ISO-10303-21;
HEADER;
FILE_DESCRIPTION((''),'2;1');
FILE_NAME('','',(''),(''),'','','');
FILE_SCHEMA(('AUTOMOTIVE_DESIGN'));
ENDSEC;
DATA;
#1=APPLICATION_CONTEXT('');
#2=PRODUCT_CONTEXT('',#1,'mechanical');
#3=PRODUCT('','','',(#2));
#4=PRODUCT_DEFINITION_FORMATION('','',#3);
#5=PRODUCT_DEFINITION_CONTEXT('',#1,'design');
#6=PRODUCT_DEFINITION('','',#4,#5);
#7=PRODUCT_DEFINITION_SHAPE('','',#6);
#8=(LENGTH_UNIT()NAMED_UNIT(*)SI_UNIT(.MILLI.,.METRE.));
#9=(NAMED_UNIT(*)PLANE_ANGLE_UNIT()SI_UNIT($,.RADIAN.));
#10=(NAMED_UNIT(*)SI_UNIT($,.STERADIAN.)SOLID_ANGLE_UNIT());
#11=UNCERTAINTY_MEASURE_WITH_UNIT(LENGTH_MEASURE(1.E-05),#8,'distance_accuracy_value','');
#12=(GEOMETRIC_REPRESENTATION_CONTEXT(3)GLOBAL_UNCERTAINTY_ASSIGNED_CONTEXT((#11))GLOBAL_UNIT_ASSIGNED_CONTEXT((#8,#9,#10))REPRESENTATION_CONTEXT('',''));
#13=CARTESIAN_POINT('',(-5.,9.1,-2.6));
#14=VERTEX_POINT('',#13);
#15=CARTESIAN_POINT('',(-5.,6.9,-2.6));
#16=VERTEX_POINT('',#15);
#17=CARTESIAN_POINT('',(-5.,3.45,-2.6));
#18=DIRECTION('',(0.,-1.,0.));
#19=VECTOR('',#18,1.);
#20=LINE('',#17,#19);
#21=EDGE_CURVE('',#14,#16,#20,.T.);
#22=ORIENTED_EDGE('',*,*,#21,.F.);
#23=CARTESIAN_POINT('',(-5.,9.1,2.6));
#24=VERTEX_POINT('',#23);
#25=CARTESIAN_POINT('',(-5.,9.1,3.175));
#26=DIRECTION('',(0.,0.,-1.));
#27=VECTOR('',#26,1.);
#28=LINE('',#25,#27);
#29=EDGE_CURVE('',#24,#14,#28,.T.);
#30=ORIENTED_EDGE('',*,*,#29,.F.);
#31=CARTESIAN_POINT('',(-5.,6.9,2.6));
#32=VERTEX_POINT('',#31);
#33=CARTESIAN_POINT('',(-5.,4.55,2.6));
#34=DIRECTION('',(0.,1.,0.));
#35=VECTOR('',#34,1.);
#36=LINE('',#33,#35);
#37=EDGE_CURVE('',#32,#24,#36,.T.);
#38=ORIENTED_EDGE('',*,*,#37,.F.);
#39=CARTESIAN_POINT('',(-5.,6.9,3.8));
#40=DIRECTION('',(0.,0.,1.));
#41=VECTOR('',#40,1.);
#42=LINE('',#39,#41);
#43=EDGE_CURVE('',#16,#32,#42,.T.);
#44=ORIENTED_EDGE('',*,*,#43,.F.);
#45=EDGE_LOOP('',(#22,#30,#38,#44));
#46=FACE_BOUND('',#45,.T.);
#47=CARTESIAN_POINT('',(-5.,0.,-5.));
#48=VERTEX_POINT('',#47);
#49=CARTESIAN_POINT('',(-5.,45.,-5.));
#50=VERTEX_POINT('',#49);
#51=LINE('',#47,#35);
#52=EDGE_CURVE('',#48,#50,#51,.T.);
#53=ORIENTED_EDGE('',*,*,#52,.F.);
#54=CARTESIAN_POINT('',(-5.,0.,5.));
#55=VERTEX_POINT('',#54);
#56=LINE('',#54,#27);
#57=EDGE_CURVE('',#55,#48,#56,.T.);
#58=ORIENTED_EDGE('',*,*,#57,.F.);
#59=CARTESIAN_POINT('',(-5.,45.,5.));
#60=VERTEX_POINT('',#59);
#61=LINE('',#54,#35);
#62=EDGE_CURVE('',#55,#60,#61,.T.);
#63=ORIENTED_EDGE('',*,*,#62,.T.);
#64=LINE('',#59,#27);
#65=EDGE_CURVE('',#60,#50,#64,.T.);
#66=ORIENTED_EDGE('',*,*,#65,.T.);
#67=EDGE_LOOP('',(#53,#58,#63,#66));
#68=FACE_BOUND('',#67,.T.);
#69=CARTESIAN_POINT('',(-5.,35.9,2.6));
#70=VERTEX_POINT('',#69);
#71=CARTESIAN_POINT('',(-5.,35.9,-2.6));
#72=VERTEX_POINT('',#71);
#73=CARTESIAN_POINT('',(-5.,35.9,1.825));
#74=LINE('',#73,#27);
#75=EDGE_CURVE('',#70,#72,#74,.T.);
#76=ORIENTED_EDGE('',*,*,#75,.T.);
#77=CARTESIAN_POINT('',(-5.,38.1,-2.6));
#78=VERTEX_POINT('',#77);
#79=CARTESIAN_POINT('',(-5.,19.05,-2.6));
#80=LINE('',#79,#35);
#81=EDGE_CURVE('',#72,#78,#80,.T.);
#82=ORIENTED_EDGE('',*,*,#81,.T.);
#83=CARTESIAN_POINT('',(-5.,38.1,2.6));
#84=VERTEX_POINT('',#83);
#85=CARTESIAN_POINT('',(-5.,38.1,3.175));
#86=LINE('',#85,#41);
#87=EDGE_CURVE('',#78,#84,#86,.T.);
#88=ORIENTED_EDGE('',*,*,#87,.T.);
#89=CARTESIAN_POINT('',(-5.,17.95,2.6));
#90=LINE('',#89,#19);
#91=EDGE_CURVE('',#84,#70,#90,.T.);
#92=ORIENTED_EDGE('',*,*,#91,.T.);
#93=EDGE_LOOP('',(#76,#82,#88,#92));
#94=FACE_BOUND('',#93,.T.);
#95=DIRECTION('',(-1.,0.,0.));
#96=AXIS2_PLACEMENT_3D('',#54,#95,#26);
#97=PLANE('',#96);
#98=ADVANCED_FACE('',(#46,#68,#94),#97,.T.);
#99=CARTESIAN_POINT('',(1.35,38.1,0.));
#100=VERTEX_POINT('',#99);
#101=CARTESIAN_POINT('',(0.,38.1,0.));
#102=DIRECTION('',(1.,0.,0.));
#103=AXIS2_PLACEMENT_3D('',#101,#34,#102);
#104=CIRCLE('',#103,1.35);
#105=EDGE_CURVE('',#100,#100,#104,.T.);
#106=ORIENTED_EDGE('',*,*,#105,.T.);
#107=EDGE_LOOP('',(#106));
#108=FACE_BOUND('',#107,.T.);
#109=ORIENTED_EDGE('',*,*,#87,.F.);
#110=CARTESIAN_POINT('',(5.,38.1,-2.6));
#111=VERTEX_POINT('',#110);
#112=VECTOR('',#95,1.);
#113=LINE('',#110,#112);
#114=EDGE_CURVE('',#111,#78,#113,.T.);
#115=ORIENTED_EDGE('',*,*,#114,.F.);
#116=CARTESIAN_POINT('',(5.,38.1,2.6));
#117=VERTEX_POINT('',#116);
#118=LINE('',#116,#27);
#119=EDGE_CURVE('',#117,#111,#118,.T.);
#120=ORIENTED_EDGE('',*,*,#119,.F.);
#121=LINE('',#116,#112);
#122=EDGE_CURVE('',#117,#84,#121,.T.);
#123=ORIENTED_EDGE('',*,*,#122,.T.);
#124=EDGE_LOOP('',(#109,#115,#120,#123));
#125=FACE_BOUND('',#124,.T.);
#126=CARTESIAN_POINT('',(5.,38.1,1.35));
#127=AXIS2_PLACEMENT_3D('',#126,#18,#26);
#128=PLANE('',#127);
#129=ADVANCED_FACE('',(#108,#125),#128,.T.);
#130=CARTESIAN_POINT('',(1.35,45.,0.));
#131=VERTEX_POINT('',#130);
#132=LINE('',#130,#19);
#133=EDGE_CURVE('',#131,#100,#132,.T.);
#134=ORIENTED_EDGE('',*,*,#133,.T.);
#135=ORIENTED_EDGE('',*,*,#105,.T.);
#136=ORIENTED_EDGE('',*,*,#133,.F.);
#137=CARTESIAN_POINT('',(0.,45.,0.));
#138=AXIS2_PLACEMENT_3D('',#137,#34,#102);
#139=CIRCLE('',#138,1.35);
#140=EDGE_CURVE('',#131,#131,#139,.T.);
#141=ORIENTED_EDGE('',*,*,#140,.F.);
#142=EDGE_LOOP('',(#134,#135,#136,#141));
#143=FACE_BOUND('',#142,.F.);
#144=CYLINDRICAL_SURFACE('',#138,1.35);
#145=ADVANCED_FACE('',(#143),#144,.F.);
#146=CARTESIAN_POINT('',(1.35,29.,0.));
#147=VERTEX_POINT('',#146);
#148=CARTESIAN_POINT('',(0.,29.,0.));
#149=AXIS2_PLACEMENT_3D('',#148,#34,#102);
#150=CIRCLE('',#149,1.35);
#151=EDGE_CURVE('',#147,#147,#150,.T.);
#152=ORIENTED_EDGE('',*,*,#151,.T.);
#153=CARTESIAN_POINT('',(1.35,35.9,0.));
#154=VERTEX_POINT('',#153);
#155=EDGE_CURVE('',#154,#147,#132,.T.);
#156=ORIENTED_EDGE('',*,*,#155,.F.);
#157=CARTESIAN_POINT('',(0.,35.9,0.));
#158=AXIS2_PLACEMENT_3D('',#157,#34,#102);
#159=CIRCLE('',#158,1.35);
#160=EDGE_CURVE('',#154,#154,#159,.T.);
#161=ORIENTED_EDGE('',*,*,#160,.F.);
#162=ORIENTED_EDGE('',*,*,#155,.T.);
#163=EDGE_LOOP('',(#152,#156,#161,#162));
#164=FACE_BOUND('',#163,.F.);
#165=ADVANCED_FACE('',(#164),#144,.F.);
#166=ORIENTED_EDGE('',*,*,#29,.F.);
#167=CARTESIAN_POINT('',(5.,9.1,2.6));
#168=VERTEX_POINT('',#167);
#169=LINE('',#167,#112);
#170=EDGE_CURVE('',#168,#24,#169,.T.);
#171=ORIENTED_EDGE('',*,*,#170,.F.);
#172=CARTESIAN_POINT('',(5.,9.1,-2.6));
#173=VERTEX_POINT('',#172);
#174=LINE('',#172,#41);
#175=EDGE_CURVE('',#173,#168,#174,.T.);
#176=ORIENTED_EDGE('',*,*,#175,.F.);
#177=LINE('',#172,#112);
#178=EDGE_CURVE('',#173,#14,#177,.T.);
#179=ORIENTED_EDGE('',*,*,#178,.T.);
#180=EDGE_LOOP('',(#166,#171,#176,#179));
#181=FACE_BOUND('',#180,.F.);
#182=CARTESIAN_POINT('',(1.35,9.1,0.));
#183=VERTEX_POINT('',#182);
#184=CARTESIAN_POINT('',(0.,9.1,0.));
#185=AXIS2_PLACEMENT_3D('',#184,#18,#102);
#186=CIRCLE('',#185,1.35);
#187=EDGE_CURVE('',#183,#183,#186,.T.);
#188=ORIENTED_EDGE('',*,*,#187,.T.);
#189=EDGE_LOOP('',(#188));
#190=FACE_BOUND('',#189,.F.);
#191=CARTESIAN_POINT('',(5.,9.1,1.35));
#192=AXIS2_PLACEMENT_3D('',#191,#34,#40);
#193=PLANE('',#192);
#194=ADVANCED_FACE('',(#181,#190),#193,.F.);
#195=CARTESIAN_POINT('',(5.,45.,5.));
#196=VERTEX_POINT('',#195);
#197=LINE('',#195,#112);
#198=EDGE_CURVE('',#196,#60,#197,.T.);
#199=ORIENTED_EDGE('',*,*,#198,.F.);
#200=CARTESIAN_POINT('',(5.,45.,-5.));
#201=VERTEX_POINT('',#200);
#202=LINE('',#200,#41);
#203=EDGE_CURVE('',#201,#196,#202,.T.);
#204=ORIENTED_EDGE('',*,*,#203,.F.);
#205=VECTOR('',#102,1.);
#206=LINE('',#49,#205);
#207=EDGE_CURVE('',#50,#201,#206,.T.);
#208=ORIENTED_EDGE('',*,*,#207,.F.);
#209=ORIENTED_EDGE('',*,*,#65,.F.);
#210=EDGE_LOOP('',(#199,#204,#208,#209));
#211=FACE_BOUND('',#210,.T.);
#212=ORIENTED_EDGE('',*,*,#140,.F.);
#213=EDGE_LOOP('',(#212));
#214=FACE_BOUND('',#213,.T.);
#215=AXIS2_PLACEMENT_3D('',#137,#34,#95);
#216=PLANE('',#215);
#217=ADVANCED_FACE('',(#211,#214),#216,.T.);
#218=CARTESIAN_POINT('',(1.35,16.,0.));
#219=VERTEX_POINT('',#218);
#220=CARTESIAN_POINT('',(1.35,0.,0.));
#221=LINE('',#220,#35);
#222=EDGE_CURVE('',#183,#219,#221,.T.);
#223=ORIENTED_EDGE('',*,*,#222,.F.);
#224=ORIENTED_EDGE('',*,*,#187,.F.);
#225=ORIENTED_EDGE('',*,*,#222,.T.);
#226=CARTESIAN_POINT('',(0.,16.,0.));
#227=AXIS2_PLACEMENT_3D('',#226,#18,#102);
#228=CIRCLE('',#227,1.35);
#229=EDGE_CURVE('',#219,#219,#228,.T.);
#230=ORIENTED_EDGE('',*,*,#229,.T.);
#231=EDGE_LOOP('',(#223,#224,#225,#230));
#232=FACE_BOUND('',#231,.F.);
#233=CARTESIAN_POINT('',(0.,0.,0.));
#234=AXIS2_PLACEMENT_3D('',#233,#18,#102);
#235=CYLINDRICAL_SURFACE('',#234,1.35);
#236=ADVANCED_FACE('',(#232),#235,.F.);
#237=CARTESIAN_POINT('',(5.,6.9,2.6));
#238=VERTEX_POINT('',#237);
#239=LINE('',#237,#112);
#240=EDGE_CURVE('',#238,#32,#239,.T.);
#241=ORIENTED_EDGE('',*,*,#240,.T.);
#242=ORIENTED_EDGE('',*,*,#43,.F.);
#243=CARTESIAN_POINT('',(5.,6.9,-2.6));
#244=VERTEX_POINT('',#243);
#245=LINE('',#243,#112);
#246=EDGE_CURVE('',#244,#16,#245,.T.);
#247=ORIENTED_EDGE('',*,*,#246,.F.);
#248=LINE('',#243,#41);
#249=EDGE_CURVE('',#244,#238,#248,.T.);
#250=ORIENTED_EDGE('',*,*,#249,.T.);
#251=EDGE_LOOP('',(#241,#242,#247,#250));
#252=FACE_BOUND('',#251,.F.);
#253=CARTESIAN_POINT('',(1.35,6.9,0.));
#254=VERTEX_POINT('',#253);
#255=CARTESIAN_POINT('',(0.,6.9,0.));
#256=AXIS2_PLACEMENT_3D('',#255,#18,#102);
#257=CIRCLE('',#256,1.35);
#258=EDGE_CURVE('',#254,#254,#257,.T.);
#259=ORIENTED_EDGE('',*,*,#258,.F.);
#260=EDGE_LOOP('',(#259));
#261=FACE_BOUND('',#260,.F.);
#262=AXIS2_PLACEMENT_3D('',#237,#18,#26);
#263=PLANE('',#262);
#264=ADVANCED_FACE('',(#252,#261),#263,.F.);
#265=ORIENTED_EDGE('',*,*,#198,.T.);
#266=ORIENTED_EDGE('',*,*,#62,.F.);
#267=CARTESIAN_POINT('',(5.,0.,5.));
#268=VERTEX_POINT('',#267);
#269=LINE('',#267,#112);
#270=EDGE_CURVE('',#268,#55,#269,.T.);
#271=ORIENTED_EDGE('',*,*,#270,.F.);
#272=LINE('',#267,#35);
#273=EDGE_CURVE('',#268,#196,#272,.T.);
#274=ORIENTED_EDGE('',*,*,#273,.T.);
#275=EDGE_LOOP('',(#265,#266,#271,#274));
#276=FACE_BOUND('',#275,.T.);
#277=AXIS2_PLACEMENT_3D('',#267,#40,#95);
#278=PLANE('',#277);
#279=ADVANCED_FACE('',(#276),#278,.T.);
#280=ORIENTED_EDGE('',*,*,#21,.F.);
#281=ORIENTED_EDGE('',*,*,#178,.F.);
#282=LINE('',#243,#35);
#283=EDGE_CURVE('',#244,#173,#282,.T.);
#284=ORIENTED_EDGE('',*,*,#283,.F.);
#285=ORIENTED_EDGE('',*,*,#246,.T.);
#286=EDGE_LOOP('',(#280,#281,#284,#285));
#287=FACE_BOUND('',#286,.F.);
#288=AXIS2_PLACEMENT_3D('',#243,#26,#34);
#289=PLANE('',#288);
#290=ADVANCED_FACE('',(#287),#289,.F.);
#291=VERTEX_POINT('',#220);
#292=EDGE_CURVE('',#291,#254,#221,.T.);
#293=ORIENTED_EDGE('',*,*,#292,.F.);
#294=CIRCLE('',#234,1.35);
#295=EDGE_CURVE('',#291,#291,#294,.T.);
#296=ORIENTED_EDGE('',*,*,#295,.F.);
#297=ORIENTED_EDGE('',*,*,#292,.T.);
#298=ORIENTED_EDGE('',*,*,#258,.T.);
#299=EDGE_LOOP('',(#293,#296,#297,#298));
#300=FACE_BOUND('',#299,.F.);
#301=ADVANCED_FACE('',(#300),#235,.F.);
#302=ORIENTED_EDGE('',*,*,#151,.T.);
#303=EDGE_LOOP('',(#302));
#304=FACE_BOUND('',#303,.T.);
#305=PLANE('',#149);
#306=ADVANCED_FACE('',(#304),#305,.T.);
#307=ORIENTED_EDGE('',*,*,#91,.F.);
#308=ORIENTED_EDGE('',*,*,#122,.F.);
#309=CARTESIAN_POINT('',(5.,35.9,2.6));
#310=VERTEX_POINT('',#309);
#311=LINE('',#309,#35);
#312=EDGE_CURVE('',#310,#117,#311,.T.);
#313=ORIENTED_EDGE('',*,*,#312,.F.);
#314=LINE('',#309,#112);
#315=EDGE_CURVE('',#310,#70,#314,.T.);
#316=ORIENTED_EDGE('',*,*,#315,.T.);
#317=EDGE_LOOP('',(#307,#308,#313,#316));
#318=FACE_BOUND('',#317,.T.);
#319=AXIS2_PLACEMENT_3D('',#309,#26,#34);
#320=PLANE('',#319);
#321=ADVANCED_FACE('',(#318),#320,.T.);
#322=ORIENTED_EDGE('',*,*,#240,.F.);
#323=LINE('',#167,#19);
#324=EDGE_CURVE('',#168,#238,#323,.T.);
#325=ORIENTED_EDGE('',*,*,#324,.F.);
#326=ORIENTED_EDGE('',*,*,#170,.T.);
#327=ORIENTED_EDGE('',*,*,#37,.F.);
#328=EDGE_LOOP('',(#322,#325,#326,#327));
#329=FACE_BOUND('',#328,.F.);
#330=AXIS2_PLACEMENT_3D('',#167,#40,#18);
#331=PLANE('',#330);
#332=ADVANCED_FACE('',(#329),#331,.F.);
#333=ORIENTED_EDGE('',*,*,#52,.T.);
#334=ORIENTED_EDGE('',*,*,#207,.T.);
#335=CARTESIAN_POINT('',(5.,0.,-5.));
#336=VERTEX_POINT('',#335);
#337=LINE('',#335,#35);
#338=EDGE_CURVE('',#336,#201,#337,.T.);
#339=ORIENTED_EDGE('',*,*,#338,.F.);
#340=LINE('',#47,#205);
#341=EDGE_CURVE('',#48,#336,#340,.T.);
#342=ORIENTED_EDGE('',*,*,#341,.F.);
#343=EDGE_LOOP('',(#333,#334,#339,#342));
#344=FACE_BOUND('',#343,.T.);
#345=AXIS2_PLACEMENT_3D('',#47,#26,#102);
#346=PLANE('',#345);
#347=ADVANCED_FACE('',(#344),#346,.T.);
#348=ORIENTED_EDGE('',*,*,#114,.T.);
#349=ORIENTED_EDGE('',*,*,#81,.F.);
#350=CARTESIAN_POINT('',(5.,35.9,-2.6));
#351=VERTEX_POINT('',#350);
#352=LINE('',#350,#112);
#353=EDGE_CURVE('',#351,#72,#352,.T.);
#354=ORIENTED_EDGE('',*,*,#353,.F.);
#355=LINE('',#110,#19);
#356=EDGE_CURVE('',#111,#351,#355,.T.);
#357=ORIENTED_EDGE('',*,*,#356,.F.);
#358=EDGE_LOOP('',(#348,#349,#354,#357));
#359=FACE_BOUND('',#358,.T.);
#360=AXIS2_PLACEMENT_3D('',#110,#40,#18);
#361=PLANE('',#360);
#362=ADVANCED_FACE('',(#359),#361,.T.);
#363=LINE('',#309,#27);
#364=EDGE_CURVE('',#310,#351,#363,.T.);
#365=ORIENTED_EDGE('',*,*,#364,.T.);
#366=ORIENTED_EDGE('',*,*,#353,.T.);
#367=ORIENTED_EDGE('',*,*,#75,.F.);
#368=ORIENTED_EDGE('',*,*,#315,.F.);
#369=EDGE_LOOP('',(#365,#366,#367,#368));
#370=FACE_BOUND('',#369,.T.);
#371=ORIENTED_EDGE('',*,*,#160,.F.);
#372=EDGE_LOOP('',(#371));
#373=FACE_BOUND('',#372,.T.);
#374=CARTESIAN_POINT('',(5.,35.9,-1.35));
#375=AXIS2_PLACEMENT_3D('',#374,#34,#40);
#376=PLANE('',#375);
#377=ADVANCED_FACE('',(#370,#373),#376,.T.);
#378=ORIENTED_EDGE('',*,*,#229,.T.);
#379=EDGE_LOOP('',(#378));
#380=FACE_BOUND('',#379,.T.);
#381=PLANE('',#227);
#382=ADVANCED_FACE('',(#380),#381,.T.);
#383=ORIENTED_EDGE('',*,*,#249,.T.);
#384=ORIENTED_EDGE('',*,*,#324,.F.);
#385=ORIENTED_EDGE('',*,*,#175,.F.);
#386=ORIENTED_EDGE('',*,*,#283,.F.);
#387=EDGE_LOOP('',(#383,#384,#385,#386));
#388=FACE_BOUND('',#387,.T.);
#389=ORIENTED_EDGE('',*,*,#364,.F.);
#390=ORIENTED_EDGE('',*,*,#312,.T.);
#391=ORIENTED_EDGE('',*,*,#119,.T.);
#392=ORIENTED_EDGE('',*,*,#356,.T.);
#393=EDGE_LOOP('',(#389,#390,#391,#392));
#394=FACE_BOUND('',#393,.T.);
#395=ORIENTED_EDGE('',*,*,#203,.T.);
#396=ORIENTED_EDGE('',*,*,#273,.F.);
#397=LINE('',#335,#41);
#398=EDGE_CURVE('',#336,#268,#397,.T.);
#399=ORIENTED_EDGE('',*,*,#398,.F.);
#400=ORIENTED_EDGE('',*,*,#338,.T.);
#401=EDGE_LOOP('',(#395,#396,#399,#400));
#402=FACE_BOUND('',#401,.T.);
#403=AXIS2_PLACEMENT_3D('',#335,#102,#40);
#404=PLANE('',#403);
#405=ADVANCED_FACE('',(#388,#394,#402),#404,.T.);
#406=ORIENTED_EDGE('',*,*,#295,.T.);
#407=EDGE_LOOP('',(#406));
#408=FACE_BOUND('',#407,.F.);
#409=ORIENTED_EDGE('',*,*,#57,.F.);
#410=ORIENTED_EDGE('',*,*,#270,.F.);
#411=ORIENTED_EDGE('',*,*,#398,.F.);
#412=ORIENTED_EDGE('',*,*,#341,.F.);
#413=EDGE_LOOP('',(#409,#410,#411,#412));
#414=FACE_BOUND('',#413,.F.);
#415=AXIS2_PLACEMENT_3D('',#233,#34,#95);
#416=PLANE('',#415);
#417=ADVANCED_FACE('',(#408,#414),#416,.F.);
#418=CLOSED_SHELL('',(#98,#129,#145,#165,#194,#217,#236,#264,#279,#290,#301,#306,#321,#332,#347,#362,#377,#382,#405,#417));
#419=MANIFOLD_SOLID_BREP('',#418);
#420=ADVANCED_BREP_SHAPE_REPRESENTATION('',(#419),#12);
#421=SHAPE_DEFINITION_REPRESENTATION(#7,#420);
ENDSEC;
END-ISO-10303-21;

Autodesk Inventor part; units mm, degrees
ref_plane "YZ Plane" through (0, 0, 0) normal (1, 0, 0) x (0, 1, 0)
ref_plane "XZ Plane" through (0, 0, 0) normal (0, 1, 0) x (-1, 0, 0)
ref_plane "XY Plane" through (0, 0, 0) normal (0, 0, 1) x (1, 0, 0)
sketch "스케치1" plane through (0, 0, 0) normal (0, 1, 0) x (-1, 0, 0)
  line L0 (-5, 5) -> (5, 5)
  line L1 (5, 5) -> (5, -5)
  line L2 (5, -5) -> (-5, -5)
  line L3 (-5, -5) -> (-5, 5)
  line L4 (-5, 5) -> (5, -5) construction
  line L5 (5, 5) -> (-5, -5) construction
  circle A0 centre (0, 0) radius 1.35
  dimension "d0" = 10
  dimension "d1" = 10
  dimension "d2" = 2.7
extrude "돌출1" add sketch "스케치1" along normal blind 45 contours L0 L1 L2 L3 | A0
sketch "스케치2" plane through (0, 0, 0) normal (0, -1, 0) x (1, 0, 0)
  circle A0 centre (0, 0) radius 1.35
  dimension "d5" = 2.7
extrude "돌출2" cut sketch "스케치2" against normal blind 16
sketch "스케치3" plane through (0, 45, 0) normal (0, 1, 0) x (1, 0, 0)
  circle A0 centre (0, 0) radius 1.35
  dimension "d8" = 2.7
extrude "돌출3" cut sketch "스케치3" against normal blind 16
sketch "스케치4" plane through (5, 0, 5) normal (1, 0, 0) x (0, 0, -1)
  line L0 (0, 45) -> (10, 45) projected
  line L1 (10, 45) -> (0, 45) projected
  line L2 (3.65, 45) -> (6.35, 45) projected
  line L3 (3.65, 29) -> (6.35, 29) projected
  line L4 (3.65, 45) -> (6.35, 45) projected
  line L5 (10, 45) -> (0, 45) projected
  line L6 (0, 45) -> (10, 45) projected
  line L7 (3.65, 29) -> (6.35, 29) projected
  line L8 (3.65, 29) -> (6.35, 29) projected
  line L9 (3.65, 45) -> (6.35, 45) projected
  line L10 (10, 0) -> (0, 0) projected
  line L11 (0, 0) -> (10, 0) projected
  line L12 (6.35, 0) -> (3.65, 0) projected
  line L13 (6.35, 16) -> (3.65, 16) projected
  line L14 (6.35, 0) -> (3.65, 0) projected
  line L15 (0, 0) -> (10, 0) projected
  line L16 (10, 0) -> (0, 0) projected
  line L17 (6.35, 16) -> (3.65, 16) projected
  line L18 (6.35, 16) -> (3.65, 16) projected
  line L19 (6.35, 0) -> (3.65, 0) projected
  line L20 (10, 0) -> (10, 45) projected
  line L21 (0, 0) -> (0, 45) projected
  line L22 (0, 0) -> (0, 45) projected
  line L23 (10, 0) -> (10, 45) projected
  line L24 (10, 0) -> (10, 45) projected
  line L25 (10, 0) -> (10, 45) projected
  line L26 (10, 0) -> (0, 0) projected
  line L27 (0, 0) -> (0, 45) projected
  line L28 (10, 45) -> (0, 45) projected
  line L29 (10, 0) -> (10, 45) projected
  line L30 (0, 0) -> (0, 45) projected
  line L31 (0, 0) -> (0, 45) projected
  line L32 (0, 0) -> (10, 0) projected
  line L33 (10, 0) -> (10, 45) projected
  line L34 (0, 45) -> (10, 45) projected
  line L35 (0, 0) -> (0, 45) projected
  line L36 (3.65, 45) -> (3.65, 29) projected
  line L37 (6.35, 45) -> (6.35, 29) projected
  line L38 (3.65, 0) -> (3.65, 16) projected
  line L39 (6.35, 0) -> (6.35, 16) projected
  line L40 (2.4, 38.1) -> (7.6, 38.1)
  line L41 (7.6, 38.1) -> (7.6, 35.9)
  line L42 (7.6, 35.9) -> (2.4, 35.9)
  line L43 (2.4, 35.9) -> (2.4, 38.1)
  line L44 (2.4, 38.1) -> (7.6, 35.9) construction
  line L45 (7.6, 38.1) -> (2.4, 35.9) construction
  line L46 (2.4, 6.9) -> (7.6, 6.9)
  line L47 (7.6, 6.9) -> (7.6, 9.1)
  line L48 (7.6, 9.1) -> (2.4, 9.1)
  line L49 (2.4, 9.1) -> (2.4, 6.9)
  line L50 (2.4, 6.9) -> (7.6, 9.1) construction
  line L51 (7.6, 6.9) -> (2.4, 9.1) construction
  point P0 (5, 0)
  point P1 (5, 37)
  point P2 (5, 8)
  dimension "d11" = 5.2
  dimension "d12" = 2.2
  dimension "d13" = 5.2
  dimension "d14" = 2.2
extrude "돌출4" cut sketch "스케치4" against normal blind 16 contours L40 L37 L42 L36 | L36 L42 L43 L40 | L40 L41 L42 L37 | L46 L49 L48 L38 | L38 L48 L39 L46 | L39 L48 L47 L46
properties part number "frame_head2" material "PMMA 플라스틱"
